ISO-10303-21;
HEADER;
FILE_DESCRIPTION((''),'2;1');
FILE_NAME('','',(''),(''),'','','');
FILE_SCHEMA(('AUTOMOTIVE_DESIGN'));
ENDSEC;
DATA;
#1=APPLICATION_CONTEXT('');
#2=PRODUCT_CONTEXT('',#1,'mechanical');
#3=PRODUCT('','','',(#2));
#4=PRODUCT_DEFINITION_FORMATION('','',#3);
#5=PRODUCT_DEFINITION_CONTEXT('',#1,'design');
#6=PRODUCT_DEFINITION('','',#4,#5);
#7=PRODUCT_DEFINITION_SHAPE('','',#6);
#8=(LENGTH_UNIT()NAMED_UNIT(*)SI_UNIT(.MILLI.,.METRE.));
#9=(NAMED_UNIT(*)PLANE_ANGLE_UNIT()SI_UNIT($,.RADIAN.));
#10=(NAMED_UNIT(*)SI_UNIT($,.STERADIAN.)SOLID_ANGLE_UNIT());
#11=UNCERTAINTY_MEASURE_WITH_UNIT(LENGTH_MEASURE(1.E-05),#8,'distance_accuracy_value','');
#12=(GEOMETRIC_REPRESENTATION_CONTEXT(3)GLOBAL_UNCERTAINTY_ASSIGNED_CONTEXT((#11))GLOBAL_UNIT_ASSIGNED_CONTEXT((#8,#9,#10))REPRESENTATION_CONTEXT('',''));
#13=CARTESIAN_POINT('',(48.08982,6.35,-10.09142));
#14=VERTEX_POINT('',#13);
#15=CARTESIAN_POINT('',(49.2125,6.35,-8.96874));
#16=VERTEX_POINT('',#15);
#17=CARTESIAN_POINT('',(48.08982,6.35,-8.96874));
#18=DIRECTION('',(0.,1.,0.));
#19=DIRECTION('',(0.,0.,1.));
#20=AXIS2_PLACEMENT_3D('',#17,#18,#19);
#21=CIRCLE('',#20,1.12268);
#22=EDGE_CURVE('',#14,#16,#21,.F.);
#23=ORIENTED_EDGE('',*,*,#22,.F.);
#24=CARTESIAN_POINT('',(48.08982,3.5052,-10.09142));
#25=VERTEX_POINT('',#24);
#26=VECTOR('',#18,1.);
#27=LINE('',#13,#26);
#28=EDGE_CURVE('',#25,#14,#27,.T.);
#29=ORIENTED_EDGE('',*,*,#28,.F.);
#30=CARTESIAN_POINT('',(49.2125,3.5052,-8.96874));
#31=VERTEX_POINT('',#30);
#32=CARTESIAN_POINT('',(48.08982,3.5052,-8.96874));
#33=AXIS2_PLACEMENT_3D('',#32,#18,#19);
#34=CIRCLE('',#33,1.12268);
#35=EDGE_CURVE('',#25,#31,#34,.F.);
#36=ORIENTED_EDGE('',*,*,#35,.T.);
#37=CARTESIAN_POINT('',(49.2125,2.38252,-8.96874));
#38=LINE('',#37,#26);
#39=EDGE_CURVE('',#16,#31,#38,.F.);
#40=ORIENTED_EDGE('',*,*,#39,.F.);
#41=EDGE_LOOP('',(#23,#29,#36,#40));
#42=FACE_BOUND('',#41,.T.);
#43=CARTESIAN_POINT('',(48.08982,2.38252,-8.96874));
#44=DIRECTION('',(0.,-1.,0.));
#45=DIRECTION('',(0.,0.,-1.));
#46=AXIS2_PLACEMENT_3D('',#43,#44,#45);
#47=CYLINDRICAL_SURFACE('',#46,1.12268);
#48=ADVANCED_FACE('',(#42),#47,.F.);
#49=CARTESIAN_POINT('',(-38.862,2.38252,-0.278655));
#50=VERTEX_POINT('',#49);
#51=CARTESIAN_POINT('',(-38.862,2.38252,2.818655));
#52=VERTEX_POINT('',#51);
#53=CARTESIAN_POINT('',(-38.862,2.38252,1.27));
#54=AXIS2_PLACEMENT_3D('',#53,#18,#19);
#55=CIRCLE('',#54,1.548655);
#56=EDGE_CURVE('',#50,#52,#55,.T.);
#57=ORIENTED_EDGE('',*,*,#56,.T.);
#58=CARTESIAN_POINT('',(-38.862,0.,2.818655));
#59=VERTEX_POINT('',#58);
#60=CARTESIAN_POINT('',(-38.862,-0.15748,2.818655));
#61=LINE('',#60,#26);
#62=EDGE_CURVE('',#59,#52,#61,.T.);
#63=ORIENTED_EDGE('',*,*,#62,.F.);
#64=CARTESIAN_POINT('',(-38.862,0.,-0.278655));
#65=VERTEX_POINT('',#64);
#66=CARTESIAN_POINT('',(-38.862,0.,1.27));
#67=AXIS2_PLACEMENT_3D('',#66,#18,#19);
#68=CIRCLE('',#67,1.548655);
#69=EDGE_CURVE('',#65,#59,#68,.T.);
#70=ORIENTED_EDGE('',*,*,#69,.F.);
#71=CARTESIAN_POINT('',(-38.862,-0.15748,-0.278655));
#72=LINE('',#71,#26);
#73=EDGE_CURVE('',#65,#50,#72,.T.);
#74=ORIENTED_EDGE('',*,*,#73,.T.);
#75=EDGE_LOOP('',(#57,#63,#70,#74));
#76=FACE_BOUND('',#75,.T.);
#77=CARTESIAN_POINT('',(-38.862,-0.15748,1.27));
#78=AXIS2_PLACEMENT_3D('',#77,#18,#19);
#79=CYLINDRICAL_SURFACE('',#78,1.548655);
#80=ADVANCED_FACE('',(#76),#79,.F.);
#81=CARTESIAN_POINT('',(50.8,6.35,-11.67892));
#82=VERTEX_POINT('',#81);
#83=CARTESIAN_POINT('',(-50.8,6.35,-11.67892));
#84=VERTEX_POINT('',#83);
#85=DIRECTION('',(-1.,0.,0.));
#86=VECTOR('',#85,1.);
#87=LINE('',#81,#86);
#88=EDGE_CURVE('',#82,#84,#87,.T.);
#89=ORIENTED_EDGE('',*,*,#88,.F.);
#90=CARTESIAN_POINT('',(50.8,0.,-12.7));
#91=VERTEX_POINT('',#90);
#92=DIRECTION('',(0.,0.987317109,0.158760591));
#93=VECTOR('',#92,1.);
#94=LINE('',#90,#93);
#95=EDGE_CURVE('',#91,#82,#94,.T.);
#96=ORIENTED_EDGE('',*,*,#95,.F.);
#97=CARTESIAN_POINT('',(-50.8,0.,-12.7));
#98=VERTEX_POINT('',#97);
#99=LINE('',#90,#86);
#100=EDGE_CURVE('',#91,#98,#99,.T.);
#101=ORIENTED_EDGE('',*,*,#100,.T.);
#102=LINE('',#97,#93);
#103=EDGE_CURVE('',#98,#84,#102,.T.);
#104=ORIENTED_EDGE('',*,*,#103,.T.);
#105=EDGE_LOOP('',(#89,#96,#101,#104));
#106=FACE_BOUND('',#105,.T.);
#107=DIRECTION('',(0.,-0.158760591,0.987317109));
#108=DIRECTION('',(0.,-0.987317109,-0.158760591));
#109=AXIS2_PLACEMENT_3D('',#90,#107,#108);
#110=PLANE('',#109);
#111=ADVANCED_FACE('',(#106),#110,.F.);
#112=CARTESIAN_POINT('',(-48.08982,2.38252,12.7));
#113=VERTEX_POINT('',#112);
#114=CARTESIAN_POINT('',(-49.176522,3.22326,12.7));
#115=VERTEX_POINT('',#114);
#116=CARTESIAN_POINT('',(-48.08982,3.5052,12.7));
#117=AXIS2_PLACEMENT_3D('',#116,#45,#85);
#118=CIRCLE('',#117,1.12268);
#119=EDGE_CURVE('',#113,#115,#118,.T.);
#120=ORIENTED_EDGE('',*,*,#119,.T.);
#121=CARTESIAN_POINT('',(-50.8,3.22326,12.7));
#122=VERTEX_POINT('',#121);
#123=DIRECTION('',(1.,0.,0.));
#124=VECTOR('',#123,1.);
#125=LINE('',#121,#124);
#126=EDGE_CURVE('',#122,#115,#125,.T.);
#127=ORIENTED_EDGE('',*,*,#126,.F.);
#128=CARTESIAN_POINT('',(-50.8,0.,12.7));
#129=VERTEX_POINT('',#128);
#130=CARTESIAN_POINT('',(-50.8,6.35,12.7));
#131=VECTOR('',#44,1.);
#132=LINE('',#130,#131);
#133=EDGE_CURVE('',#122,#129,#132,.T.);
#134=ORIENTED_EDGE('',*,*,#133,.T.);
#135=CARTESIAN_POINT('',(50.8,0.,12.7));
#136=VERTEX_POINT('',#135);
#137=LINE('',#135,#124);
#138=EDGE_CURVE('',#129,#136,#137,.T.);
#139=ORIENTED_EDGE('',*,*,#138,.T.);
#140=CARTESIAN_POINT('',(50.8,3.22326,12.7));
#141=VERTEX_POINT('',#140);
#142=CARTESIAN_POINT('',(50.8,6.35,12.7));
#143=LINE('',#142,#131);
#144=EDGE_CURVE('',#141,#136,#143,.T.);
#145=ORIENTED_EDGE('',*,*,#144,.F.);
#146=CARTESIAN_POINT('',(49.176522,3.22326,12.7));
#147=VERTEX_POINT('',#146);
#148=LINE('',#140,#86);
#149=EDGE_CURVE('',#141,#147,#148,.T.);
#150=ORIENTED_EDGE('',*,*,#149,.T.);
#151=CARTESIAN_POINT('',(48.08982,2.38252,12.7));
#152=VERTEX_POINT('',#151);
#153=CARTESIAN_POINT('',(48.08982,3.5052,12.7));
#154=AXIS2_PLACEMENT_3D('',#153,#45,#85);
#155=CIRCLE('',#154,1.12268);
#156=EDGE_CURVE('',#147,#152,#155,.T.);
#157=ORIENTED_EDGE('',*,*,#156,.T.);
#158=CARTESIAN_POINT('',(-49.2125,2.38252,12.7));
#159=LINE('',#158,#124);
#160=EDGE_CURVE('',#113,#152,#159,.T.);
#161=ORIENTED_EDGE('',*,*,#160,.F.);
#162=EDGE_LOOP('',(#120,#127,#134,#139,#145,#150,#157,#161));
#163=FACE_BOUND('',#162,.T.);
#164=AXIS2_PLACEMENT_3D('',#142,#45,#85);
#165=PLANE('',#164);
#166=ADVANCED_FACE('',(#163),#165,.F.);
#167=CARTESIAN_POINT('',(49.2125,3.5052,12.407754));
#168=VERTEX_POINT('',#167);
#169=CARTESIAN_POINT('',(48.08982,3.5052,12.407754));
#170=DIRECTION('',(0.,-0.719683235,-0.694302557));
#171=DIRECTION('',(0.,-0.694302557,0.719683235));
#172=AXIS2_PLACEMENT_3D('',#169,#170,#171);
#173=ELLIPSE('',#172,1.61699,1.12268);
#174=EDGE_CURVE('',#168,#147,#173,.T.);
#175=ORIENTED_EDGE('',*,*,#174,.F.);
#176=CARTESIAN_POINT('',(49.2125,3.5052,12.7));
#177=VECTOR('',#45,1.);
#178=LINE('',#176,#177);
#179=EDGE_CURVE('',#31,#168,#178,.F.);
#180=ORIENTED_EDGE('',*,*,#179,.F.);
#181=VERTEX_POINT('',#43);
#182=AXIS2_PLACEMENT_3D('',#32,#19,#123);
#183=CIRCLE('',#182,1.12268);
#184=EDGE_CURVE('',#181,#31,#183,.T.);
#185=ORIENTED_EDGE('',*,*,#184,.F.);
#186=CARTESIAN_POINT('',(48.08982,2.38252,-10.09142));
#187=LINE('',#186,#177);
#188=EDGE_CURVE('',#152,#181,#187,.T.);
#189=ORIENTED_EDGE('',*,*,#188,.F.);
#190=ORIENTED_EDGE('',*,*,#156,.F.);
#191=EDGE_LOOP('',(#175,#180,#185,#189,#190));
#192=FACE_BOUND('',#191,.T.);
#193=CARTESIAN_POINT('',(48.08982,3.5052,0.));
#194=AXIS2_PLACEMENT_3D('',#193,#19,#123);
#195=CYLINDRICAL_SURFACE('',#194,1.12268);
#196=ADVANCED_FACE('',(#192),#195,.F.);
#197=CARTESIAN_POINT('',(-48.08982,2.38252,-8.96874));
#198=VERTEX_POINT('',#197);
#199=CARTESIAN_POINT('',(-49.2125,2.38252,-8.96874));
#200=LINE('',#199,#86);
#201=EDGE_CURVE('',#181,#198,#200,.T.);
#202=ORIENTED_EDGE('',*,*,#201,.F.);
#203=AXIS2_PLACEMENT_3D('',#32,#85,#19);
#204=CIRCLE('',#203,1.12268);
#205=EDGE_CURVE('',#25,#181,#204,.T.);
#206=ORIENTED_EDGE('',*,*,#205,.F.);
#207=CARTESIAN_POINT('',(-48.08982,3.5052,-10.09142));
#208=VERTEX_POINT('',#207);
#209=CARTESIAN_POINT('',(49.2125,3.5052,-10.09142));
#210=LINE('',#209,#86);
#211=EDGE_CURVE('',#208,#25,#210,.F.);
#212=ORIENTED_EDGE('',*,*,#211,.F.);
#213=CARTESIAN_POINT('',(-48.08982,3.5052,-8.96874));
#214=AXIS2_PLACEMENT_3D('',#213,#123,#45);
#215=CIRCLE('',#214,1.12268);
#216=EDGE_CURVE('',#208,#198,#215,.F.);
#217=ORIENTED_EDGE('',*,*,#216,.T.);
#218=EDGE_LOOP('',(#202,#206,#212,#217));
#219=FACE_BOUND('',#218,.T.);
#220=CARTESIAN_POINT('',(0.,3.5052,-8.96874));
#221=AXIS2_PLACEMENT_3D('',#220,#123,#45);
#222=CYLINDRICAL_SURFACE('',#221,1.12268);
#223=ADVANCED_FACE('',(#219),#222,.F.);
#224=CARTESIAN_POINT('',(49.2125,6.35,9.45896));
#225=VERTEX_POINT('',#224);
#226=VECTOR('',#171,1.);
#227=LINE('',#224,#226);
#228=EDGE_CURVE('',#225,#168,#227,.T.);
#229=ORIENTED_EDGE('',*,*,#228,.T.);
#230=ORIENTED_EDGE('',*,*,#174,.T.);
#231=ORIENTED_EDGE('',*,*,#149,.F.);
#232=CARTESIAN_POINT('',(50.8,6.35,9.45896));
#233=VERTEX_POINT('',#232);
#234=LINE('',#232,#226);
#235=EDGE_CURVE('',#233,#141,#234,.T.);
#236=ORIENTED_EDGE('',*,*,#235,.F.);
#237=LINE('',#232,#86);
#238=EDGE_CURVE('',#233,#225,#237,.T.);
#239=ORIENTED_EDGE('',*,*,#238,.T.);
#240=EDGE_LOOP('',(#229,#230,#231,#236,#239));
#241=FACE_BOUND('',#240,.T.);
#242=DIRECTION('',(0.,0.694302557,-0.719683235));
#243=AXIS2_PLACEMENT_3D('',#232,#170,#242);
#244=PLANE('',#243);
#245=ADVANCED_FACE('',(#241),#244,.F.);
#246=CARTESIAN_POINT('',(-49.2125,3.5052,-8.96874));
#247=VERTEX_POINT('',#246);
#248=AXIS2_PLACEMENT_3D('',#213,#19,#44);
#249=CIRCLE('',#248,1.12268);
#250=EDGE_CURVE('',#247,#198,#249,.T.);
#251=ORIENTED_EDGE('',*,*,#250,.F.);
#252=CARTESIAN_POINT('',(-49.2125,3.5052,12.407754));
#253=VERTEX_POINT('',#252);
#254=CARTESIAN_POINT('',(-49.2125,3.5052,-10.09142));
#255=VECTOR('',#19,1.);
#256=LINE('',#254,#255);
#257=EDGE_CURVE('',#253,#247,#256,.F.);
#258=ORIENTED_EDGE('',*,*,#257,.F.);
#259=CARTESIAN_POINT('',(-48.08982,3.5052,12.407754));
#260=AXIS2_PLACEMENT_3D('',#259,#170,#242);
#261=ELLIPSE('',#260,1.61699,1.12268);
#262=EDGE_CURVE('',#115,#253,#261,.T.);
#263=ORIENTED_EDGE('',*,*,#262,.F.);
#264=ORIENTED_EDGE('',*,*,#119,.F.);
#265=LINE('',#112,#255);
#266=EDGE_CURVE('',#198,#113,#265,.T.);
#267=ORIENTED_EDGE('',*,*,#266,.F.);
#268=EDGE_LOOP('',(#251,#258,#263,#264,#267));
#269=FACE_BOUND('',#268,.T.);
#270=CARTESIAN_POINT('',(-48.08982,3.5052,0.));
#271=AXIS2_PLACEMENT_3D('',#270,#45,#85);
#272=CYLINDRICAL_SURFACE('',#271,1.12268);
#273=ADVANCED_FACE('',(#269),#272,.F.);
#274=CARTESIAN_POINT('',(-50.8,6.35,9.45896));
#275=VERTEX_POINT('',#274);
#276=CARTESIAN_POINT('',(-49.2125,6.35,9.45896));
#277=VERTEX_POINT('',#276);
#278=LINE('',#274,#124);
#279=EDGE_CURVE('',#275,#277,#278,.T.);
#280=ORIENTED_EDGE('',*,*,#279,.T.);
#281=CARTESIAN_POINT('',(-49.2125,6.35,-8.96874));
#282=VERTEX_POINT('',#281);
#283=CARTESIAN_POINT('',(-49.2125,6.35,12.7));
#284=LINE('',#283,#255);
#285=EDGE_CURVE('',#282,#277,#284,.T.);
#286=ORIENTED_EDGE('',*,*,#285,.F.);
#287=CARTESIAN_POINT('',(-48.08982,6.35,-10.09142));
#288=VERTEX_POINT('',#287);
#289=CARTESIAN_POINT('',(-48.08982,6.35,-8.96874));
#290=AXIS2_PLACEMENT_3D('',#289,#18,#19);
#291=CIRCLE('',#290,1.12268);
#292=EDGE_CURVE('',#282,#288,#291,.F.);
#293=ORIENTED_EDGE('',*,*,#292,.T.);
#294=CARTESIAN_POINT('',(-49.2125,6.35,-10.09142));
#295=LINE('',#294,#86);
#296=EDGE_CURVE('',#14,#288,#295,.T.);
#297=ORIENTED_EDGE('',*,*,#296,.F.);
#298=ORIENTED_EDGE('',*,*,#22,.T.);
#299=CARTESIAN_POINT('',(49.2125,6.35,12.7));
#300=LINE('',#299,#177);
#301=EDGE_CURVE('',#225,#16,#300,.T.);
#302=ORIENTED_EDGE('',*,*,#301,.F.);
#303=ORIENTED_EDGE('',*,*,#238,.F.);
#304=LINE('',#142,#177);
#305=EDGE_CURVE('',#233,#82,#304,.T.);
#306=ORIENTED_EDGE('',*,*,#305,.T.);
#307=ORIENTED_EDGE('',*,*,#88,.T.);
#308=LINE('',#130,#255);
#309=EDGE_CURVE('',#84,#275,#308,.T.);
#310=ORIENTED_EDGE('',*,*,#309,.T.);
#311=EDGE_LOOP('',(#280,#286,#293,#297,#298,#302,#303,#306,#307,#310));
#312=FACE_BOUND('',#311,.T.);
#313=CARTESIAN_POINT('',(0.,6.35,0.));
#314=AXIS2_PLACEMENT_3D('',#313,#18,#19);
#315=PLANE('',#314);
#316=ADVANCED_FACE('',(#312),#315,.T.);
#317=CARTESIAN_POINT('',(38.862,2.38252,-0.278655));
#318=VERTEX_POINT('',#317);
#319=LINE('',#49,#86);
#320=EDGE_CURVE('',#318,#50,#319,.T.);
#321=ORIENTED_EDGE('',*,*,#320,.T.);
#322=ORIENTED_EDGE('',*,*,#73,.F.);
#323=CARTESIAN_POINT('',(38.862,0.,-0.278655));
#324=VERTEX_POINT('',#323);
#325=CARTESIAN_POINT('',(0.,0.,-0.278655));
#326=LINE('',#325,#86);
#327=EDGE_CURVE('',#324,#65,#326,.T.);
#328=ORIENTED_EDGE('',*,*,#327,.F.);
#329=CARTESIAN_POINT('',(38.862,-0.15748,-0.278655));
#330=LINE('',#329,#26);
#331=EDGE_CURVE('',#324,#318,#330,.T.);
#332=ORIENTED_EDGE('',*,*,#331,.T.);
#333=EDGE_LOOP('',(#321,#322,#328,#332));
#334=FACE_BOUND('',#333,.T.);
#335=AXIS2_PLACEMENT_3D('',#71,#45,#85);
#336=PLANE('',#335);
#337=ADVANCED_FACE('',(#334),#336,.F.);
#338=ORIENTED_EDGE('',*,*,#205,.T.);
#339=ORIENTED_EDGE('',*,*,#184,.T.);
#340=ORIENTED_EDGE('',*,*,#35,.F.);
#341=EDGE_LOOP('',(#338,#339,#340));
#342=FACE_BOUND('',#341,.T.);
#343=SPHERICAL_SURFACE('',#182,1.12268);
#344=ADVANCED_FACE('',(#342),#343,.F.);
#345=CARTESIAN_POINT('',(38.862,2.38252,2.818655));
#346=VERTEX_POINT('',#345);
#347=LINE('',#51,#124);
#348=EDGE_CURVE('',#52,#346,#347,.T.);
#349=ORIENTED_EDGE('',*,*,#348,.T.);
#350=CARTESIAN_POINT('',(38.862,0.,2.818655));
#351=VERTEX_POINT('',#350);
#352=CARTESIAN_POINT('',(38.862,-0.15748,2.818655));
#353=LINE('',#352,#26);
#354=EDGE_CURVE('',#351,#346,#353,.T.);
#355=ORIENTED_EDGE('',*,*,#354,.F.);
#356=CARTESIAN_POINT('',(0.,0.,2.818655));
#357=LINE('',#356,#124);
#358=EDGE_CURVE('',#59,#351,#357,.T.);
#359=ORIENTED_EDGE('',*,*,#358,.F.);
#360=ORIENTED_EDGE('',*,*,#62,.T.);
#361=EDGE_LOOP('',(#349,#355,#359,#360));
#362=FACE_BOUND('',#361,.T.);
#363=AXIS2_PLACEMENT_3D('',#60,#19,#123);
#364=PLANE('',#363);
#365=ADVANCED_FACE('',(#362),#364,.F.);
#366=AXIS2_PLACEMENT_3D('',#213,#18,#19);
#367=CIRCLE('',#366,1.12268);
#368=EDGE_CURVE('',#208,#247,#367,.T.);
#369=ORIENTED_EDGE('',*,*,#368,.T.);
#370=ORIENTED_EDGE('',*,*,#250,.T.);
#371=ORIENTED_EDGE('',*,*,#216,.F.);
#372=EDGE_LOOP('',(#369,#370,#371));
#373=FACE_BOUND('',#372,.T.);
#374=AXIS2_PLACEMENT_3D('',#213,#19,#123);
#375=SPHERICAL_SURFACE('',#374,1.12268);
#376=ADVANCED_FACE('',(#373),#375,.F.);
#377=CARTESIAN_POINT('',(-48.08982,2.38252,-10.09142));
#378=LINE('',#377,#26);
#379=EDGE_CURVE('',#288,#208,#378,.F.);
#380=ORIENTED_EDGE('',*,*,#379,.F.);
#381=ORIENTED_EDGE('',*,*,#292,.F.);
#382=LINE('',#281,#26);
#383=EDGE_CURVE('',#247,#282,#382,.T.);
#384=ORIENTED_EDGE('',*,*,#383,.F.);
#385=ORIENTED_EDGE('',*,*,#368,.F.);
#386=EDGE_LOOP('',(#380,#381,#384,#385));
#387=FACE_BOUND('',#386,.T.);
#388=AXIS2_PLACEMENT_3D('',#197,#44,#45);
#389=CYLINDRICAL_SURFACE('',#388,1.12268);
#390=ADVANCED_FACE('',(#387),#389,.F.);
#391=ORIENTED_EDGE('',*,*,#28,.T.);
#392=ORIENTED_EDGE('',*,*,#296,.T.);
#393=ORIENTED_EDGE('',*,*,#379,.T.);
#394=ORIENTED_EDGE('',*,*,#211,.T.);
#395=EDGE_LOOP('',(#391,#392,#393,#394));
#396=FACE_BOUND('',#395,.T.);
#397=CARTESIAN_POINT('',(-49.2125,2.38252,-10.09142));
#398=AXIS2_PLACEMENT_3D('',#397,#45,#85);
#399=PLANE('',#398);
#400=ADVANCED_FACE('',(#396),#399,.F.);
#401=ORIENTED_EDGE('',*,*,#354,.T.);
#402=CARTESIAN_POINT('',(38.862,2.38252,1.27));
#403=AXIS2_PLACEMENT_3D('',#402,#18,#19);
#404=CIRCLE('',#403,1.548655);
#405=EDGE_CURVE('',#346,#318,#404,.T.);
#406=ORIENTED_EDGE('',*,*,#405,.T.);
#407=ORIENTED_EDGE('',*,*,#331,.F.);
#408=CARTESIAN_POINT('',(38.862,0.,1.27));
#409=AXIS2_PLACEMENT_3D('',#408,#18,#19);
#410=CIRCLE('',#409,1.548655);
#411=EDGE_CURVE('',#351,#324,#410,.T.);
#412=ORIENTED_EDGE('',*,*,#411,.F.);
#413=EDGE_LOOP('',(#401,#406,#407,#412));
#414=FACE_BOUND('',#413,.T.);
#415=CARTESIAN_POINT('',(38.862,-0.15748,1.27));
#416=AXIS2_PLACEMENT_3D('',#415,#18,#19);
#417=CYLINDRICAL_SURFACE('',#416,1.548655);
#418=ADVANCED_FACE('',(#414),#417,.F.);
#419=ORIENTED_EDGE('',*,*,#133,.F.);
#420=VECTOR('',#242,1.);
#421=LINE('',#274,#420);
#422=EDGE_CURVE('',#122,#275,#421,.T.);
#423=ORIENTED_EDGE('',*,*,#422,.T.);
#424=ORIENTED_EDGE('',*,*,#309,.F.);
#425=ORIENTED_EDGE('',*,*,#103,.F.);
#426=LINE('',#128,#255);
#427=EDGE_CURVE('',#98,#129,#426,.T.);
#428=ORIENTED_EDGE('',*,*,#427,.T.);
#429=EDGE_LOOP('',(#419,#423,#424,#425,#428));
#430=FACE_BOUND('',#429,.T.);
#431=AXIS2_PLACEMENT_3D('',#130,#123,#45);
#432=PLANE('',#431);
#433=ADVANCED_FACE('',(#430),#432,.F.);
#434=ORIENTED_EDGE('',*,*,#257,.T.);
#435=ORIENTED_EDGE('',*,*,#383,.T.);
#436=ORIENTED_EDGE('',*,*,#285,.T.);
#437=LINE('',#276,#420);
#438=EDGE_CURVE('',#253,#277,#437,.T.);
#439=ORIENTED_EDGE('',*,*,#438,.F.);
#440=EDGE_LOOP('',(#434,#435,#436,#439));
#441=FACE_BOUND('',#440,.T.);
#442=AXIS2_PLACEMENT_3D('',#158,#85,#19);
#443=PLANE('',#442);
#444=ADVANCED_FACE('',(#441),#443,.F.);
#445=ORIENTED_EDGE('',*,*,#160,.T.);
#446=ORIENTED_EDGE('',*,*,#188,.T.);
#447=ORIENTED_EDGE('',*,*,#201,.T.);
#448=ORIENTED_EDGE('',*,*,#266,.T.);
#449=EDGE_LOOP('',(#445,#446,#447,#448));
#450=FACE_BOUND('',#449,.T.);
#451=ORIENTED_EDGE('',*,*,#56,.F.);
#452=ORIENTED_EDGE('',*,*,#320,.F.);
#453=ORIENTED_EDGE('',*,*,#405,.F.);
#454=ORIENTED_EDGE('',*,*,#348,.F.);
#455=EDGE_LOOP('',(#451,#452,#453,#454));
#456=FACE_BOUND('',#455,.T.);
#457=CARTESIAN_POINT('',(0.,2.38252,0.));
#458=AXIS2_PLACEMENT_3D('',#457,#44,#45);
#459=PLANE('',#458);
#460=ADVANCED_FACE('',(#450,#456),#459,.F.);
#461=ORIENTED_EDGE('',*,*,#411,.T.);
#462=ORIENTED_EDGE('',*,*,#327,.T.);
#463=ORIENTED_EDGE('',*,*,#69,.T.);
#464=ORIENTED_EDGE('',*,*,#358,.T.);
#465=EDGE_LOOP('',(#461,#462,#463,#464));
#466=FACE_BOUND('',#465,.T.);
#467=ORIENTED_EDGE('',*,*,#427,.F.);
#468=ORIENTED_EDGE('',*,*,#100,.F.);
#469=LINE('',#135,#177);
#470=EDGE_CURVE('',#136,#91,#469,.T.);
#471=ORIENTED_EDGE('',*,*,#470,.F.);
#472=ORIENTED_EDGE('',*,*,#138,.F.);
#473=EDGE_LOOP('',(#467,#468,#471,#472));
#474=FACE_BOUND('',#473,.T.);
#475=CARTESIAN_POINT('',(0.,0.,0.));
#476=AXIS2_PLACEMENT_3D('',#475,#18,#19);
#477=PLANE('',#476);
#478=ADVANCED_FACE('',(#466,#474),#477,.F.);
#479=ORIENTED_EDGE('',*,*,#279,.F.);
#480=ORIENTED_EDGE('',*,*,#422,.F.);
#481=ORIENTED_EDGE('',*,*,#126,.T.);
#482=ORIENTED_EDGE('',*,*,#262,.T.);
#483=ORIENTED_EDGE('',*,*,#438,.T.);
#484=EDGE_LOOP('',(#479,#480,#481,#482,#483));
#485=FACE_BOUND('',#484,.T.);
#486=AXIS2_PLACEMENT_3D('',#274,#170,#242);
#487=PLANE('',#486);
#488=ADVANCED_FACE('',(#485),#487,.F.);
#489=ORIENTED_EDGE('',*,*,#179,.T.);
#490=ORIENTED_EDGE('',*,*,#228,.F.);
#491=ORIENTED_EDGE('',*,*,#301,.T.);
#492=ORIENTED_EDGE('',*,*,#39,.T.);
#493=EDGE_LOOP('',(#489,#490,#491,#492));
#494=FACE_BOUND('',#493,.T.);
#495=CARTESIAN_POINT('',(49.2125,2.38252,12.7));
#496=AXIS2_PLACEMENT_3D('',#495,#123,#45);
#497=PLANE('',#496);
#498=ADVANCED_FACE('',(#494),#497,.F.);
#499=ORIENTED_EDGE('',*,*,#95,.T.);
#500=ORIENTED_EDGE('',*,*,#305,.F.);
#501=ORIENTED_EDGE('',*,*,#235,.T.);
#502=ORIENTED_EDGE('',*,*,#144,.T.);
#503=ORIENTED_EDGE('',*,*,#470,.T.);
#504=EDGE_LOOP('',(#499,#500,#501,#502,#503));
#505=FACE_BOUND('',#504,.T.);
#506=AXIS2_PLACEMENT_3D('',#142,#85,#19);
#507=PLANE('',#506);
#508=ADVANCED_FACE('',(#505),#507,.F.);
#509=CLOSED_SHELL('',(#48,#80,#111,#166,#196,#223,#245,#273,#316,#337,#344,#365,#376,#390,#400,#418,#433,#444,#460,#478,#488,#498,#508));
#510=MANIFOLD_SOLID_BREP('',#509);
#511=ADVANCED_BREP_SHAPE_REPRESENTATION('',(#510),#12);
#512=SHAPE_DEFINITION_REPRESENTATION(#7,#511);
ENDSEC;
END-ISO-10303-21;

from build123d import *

# Parameters (mm, degrees)
SKETCH1_W           = 101.6
SKETCH1_H           = 25.4
BOSS_EXTRUDE1_DEPTH = 6.35
CUT_EXTRUDE2_DEPTH  = 101.6
SKETCH4_W           = 98.425
SKETCH4_H           = 22.79142
CUT_EXTRUDE3_DEPTH  = 3.96748
CUT_EXTRUDE6_DEPTH  = 2.54
CUT_EXTRUDE7_DEPTH  = 1.5875
CUT_EXTRUDE8_DEPTH  = 1.5875
FILLET1_R           = 1.12268


with BuildPart() as part:
    # Sketch1 → Boss-Extrude1 (new body)
    with BuildSketch(Plane(origin=(0, 0, 0), x_dir=(1, 0, 0), z_dir=(0, 1, 0))):
        Rectangle(SKETCH1_W, SKETCH1_H)
    extrude(amount=BOSS_EXTRUDE1_DEPTH)

    # Sketch2 → Cut-Extrude2 (cut)
    with BuildSketch(Plane.ZY.offset(50.8)):
        Polygon((-12.7, 0), (-11.67892, 6.35), (-12.7, 6.35), align=None)
    extrude(amount=-CUT_EXTRUDE2_DEPTH, mode=Mode.SUBTRACT)

    # Sketch4 → Cut-Extrude3 (cut)
    with BuildSketch(Plane(origin=(0, 6.35, 0), x_dir=(1, 0, 0), z_dir=(0, 1, 0))):
        with Locations((0, -1.30429)):
            Rectangle(SKETCH4_W, SKETCH4_H)
    extrude(amount=-CUT_EXTRUDE3_DEPTH, mode=Mode.SUBTRACT)

    # Sketch5 → Cut-Extrude6 (cut)
    with BuildSketch(Plane(origin=(0, 2.38252, 0), x_dir=(1, 0, 0), z_dir=(0, 1, 0))):
        with BuildLine():
            Line((-38.862, -2.818654725), (38.862, -2.818654725))
            ThreePointArc((38.862, -2.818654725), (40.410654725, -1.27), (38.862, 0.278654725))
            Line((38.862, 0.278654725), (-38.862, 0.278654725))
            ThreePointArc((-38.862, 0.278654725), (-40.410654725, -1.27), (-38.862, -2.818654725))
        make_face()
    extrude(amount=-CUT_EXTRUDE6_DEPTH, mode=Mode.SUBTRACT)

    # Sketch6 → Cut-Extrude7 (cut)
    with BuildSketch(Plane(origin=(-49.2125, 0, 0), x_dir=(0, 0, -1), z_dir=(1, 0, 0))):
        Polygon((-9.45896, 6.35), (-12.7, 3.22326), (-12.7, 6.35), align=None)
    extrude(amount=-CUT_EXTRUDE7_DEPTH, mode=Mode.SUBTRACT)

    # Sketch7 → Cut-Extrude8 (cut)
    with BuildSketch(Plane.ZY.offset(-49.2125)):
        Polygon((9.45896, 6.35), (12.7, 3.22326), (12.7, 6.35), align=None)
    extrude(amount=-CUT_EXTRUDE8_DEPTH, mode=Mode.SUBTRACT)

    # Fillet1
    fillet1_edges = [part.edges().sort_by_distance(p)[0] for p in [
        (49.2125, 4.36626, -10.09142),
        (49.2125, 2.38252, 1.30429),
        (-49.2125, 4.36626, -10.09142),
        (-49.2125, 2.38252, 1.30429),
        (0, 2.38252, -10.09142),
    ]]
    fillet(fillet1_edges, radius=FILLET1_R)


solid = part.part
